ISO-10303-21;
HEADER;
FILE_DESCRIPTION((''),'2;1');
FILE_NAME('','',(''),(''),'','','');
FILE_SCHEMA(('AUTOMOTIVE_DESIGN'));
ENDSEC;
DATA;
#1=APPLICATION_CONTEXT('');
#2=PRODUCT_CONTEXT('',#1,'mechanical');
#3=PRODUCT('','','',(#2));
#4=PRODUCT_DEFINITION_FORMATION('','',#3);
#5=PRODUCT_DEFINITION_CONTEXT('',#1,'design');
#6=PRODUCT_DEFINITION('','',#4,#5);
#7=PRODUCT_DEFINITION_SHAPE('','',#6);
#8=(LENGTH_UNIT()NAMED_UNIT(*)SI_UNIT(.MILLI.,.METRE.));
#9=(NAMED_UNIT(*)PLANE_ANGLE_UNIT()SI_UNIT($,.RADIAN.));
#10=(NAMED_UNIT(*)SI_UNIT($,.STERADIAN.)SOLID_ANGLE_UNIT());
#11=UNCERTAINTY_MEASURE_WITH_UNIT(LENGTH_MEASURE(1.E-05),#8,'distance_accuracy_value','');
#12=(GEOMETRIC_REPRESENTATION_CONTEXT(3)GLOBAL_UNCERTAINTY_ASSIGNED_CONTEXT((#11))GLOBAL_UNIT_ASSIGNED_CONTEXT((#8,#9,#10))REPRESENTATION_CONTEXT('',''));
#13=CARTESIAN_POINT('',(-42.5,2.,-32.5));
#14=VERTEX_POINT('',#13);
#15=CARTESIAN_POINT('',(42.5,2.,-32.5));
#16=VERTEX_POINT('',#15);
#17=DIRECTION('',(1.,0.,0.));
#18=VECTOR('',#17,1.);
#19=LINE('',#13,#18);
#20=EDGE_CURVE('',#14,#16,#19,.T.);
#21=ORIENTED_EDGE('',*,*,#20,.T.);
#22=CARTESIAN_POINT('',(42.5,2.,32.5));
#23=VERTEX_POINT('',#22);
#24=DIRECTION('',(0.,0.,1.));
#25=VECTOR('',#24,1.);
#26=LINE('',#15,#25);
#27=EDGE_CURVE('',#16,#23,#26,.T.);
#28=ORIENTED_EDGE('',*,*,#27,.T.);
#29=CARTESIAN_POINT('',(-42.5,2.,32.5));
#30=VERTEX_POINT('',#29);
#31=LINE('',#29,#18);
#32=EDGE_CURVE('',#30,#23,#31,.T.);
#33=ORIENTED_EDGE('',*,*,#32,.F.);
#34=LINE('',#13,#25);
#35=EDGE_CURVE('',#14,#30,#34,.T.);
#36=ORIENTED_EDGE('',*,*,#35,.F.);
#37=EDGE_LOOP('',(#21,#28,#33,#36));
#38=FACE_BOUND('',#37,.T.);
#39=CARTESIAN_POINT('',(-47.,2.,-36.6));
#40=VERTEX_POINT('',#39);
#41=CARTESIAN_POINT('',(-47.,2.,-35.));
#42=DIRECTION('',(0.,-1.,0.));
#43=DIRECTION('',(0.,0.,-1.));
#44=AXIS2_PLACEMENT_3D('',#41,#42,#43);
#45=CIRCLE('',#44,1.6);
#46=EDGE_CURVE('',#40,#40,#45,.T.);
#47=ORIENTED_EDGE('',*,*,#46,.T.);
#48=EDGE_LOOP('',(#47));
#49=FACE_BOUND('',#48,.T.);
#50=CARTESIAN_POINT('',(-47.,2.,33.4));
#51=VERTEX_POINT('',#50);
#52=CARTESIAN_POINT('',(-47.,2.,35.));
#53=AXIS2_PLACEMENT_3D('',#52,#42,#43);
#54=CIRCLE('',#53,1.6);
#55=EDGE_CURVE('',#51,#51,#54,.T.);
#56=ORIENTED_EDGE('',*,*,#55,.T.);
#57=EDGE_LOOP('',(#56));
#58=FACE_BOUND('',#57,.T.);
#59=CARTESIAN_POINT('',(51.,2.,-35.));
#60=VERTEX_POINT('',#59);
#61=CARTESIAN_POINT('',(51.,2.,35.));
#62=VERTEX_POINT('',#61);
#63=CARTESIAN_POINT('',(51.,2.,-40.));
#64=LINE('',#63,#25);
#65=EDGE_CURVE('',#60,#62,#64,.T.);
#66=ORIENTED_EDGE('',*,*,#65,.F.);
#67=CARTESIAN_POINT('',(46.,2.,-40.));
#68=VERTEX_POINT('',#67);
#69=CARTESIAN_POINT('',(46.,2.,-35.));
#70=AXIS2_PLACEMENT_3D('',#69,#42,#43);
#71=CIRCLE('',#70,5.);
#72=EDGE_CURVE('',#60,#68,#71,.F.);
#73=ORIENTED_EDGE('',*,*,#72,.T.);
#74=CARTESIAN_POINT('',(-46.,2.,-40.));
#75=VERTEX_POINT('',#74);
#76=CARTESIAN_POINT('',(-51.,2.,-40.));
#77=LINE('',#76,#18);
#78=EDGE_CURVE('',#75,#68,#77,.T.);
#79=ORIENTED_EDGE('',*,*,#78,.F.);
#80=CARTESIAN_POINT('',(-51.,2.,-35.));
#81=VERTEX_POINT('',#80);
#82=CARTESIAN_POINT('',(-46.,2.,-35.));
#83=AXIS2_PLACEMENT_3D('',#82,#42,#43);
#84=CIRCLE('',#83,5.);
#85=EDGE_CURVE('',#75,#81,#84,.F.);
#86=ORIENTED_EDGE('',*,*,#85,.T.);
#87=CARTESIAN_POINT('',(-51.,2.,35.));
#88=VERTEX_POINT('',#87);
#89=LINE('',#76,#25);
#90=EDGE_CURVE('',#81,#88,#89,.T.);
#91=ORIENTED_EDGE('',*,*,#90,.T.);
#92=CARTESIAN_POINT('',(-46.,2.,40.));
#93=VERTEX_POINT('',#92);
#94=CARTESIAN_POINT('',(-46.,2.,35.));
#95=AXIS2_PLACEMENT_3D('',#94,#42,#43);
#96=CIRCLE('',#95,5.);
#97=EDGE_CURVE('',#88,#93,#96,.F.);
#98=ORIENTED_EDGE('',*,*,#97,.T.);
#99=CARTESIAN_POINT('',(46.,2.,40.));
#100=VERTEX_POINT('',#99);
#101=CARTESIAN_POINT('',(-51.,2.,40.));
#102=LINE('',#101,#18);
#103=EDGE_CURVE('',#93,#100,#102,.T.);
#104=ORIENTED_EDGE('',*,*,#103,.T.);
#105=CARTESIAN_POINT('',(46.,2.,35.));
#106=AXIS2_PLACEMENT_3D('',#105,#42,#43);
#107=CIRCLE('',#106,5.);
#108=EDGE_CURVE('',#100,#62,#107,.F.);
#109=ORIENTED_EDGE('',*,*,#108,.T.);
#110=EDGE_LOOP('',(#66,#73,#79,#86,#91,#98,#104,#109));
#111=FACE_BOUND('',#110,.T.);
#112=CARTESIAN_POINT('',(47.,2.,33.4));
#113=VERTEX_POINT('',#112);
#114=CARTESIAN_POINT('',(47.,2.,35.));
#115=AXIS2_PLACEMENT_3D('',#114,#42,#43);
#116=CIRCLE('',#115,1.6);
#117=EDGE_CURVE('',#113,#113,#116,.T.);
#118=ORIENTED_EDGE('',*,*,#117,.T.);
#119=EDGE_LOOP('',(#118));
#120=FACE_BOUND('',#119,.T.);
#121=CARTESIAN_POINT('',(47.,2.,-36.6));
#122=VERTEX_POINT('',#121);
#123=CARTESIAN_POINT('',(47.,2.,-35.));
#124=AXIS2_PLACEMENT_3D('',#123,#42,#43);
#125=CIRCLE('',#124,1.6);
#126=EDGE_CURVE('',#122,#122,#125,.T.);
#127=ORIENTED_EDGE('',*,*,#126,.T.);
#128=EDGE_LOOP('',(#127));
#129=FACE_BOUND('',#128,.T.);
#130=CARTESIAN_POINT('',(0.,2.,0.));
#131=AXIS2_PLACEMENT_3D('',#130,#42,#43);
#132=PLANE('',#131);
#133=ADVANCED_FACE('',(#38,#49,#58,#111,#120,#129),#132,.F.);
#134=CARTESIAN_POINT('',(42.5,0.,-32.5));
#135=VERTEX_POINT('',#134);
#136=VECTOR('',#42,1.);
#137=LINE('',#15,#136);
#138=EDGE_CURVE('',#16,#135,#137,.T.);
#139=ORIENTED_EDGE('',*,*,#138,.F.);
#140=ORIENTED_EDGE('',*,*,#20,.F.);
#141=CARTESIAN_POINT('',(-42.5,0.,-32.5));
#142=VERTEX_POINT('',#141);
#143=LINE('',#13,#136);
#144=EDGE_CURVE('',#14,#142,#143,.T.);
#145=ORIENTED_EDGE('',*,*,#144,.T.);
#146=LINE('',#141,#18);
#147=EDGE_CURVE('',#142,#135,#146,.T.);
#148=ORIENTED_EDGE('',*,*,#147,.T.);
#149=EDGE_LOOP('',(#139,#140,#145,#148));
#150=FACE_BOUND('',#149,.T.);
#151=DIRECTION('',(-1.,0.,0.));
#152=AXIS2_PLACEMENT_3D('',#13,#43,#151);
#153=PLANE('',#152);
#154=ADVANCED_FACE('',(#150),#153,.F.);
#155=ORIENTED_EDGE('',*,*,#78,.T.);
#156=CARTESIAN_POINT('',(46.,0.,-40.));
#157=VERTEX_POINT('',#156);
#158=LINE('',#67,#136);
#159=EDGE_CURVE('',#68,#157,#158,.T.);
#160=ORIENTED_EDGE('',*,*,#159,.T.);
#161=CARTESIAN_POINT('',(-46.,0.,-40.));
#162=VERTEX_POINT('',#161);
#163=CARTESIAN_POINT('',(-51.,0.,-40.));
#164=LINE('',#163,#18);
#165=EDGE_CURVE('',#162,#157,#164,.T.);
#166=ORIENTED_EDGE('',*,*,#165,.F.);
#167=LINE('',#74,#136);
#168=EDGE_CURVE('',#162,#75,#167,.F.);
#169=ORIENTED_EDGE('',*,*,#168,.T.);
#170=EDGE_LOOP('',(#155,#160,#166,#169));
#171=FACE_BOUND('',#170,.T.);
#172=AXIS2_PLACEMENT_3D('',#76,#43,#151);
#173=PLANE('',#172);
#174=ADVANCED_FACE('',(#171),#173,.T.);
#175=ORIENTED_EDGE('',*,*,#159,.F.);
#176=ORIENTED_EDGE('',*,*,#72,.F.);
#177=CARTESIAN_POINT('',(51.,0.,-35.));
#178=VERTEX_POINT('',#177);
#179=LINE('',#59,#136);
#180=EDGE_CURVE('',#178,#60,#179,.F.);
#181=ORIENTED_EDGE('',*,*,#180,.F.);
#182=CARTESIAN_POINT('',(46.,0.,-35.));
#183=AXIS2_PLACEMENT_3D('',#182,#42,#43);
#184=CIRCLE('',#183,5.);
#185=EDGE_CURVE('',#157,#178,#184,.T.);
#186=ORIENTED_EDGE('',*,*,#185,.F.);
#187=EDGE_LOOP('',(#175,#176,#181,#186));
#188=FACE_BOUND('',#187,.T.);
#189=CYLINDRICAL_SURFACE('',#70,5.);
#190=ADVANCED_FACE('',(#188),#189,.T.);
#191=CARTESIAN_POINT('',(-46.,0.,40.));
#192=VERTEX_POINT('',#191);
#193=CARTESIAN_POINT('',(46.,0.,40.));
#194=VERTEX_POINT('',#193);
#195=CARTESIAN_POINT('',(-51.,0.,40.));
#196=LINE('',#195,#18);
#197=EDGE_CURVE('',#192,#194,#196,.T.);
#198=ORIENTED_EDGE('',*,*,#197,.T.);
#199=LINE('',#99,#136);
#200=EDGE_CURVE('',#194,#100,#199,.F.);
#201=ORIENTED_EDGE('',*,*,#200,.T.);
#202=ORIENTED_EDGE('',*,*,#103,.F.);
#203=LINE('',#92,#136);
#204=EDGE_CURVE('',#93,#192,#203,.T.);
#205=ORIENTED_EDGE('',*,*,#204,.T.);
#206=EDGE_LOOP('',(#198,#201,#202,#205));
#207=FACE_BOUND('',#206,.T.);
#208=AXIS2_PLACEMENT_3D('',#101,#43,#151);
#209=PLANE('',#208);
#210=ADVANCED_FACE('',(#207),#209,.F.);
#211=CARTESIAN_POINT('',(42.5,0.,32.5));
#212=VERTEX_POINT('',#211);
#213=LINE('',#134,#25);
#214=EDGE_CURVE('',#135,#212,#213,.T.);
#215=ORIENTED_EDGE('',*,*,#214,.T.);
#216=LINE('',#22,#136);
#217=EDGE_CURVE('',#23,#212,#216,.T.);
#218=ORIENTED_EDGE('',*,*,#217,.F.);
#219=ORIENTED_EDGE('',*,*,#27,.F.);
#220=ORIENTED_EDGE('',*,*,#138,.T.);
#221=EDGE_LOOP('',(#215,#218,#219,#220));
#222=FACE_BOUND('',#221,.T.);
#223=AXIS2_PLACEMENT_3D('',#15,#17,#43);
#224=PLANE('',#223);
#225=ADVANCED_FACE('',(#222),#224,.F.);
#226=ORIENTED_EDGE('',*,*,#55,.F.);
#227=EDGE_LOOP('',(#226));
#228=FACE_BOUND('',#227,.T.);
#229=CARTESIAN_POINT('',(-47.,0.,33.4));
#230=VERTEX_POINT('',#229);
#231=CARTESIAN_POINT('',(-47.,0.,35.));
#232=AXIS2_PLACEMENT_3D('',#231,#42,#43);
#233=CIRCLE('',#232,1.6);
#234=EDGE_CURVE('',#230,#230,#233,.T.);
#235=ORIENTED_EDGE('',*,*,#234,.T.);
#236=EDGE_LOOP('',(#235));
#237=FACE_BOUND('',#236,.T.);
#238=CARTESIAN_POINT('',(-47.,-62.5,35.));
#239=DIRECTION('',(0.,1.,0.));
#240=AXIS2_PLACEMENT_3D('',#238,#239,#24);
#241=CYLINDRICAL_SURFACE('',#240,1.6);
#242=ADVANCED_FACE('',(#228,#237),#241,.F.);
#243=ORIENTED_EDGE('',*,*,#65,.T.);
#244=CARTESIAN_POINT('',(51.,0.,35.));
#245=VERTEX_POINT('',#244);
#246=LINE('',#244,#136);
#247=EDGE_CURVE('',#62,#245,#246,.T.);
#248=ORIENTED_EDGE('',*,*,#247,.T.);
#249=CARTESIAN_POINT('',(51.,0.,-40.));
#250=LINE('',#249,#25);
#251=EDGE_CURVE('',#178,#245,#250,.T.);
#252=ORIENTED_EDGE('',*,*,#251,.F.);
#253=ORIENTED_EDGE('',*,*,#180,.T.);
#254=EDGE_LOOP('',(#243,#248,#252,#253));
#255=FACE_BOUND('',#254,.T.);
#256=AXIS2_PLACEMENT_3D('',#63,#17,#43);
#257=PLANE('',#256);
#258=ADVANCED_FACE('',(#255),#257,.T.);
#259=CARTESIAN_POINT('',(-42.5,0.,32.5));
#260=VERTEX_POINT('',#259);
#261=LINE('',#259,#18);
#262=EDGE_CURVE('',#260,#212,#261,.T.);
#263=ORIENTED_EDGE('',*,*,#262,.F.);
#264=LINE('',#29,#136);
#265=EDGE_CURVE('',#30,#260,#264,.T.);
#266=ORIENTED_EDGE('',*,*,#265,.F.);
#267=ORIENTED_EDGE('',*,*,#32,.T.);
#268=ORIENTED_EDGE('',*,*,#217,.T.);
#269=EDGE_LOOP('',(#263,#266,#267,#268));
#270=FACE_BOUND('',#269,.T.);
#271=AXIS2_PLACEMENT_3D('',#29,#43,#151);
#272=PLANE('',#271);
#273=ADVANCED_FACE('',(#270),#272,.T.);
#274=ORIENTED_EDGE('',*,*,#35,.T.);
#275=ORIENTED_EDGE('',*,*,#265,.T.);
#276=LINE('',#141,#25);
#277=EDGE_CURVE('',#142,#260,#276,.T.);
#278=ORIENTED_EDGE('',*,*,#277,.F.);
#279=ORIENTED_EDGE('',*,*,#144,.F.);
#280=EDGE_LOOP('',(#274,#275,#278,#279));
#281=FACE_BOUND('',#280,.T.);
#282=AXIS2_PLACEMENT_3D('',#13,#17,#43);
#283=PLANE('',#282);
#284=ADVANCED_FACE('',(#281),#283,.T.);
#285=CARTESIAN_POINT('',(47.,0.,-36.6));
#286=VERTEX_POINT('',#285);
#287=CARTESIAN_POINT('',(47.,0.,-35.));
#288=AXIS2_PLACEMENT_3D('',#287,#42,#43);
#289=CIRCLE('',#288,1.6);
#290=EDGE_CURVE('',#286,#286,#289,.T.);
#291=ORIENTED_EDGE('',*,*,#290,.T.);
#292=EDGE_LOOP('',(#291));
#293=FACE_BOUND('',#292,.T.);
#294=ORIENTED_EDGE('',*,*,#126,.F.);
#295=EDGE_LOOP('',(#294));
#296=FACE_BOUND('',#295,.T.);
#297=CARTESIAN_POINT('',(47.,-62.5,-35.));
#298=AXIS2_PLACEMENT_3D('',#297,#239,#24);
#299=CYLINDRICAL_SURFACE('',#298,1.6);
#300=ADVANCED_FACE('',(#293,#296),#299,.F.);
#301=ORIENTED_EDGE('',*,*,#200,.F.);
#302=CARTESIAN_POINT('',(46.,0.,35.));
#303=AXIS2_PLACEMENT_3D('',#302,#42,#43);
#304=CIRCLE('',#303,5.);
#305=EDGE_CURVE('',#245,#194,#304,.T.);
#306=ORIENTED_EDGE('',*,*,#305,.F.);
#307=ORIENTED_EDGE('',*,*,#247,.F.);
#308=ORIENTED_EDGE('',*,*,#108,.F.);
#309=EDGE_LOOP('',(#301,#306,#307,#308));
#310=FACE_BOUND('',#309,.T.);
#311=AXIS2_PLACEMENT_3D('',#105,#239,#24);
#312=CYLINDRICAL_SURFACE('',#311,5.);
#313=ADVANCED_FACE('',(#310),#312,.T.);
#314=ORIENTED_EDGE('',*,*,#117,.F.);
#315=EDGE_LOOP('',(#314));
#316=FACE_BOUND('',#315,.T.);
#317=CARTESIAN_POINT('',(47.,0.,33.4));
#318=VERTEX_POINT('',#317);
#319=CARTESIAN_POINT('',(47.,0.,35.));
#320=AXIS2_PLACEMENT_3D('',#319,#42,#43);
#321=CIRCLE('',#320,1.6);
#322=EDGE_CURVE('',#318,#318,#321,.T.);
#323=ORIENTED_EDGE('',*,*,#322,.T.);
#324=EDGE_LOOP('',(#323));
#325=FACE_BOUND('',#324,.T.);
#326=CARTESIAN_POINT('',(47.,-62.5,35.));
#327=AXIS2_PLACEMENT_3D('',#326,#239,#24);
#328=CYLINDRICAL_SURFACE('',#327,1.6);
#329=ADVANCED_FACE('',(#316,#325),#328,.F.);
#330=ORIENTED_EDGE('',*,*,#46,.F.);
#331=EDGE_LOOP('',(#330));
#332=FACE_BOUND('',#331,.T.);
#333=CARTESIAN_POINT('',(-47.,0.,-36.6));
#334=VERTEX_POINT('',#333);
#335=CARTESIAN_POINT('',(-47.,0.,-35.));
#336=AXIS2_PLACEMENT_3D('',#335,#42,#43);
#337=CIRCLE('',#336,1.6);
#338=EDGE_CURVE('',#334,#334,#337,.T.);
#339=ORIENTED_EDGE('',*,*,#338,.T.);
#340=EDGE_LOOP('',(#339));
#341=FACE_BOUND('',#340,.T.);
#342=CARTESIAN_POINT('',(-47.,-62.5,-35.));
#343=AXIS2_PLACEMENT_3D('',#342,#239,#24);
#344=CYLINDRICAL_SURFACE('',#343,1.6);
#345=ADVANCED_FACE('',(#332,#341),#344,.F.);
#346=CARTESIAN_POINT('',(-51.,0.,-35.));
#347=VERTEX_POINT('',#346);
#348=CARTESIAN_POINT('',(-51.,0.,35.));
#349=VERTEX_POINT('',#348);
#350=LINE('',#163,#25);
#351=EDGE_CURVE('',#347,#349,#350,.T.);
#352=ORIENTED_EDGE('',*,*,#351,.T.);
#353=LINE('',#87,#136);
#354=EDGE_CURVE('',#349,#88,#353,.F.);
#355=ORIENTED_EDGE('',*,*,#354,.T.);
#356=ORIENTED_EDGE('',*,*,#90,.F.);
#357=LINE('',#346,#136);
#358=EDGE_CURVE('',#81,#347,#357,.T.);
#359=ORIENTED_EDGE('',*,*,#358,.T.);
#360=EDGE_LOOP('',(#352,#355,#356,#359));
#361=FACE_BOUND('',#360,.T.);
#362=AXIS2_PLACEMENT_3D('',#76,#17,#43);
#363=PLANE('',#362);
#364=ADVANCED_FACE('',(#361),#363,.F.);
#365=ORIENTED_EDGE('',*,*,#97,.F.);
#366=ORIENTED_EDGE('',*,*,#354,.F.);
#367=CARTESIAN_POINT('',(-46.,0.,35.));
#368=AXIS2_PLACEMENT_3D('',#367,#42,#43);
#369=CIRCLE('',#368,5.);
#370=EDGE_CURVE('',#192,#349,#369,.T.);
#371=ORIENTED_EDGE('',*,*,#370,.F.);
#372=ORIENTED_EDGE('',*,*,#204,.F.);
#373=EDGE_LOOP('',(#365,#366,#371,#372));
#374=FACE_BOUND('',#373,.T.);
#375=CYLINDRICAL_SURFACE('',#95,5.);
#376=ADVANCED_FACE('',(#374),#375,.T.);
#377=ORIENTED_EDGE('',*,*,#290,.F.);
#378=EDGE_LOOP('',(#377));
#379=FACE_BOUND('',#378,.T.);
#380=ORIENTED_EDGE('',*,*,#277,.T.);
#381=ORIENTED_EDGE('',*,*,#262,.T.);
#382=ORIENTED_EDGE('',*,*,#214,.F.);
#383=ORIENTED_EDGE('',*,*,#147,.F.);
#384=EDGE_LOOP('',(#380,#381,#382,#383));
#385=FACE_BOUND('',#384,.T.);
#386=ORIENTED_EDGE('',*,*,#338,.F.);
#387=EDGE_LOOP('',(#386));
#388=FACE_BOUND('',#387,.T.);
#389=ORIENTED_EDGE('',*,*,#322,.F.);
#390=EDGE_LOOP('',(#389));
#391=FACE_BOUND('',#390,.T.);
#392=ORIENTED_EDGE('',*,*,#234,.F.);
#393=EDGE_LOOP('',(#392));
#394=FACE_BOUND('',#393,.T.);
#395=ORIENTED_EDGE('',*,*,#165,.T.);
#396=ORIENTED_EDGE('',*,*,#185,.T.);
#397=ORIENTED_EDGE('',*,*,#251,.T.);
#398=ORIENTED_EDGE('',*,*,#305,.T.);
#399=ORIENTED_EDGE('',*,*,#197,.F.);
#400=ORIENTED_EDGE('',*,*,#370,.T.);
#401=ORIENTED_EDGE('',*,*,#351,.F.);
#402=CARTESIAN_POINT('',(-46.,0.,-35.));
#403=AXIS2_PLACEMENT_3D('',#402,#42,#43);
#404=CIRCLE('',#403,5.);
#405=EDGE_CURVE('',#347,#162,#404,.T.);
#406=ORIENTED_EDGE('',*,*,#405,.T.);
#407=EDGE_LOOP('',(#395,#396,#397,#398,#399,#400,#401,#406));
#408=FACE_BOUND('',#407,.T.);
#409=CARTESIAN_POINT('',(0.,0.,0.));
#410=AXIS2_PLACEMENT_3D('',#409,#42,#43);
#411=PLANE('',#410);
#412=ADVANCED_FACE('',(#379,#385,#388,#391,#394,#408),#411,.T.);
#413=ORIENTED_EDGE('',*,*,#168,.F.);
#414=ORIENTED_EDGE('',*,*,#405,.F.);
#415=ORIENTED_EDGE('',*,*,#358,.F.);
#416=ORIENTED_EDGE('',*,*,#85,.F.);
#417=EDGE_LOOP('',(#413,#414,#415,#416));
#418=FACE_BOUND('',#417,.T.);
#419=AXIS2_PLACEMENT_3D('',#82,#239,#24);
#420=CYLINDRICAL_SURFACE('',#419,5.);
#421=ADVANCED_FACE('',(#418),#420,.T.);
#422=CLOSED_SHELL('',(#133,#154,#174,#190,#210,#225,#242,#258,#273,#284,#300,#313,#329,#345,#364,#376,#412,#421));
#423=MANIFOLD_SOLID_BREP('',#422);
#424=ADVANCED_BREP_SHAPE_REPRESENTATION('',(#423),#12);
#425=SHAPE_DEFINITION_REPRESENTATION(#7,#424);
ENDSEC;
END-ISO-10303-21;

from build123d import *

# Parameters (mm, degrees)
SKETCH1_W           = 102
SKETCH1_H           = 80
SKETCH1_W_2         = 85
SKETCH1_H_2         = 65
BOSS_EXTRUDE1_DEPTH = 2
FILLET2_R           = 5
SKETCH2_R           = 1.6
CUT_EXTRUDE1_DEPTH  = 64.5


with BuildPart() as part:
    # Sketch1 → Boss-Extrude1 (new body)
    with BuildSketch(Plane(origin=(0, 0, 0), x_dir=(1, 0, 0), z_dir=(0, 1, 0))):
        Rectangle(SKETCH1_W, SKETCH1_H)
        Rectangle(SKETCH1_W_2, SKETCH1_H_2, mode=Mode.SUBTRACT)
    extrude(amount=BOSS_EXTRUDE1_DEPTH)

    # Fillet2
    fillet2_edges = [part.edges().sort_by_distance(p)[0] for p in [
        (-51, 1, 40),
        (-51, 1, -40),
        (51, 1, -40),
        (51, 1, 40),
    ]]
    fillet(fillet2_edges, radius=FILLET2_R)

    # Sketch2 → Cut-Extrude1 (cut, symmetric)
    with BuildSketch(Plane(origin=(0, 2, 0), x_dir=(1, 0, 0), z_dir=(0, 1, 0))):
        with Locations(Location((-47, -35, 0), (0, 0, 90))):
            Circle(SKETCH2_R)
        with Locations(Location((47, -35, 0), (0, 0, 90))):
            Circle(SKETCH2_R)
        with Locations(Location((47, 35, 0), (0, 0, 90))):
            Circle(SKETCH2_R)
        with Locations(Location((-47, 35, 0), (0, 0, 90))):
            Circle(SKETCH2_R)
    extrude(amount=CUT_EXTRUDE1_DEPTH, both=True, mode=Mode.SUBTRACT)


solid = part.part
